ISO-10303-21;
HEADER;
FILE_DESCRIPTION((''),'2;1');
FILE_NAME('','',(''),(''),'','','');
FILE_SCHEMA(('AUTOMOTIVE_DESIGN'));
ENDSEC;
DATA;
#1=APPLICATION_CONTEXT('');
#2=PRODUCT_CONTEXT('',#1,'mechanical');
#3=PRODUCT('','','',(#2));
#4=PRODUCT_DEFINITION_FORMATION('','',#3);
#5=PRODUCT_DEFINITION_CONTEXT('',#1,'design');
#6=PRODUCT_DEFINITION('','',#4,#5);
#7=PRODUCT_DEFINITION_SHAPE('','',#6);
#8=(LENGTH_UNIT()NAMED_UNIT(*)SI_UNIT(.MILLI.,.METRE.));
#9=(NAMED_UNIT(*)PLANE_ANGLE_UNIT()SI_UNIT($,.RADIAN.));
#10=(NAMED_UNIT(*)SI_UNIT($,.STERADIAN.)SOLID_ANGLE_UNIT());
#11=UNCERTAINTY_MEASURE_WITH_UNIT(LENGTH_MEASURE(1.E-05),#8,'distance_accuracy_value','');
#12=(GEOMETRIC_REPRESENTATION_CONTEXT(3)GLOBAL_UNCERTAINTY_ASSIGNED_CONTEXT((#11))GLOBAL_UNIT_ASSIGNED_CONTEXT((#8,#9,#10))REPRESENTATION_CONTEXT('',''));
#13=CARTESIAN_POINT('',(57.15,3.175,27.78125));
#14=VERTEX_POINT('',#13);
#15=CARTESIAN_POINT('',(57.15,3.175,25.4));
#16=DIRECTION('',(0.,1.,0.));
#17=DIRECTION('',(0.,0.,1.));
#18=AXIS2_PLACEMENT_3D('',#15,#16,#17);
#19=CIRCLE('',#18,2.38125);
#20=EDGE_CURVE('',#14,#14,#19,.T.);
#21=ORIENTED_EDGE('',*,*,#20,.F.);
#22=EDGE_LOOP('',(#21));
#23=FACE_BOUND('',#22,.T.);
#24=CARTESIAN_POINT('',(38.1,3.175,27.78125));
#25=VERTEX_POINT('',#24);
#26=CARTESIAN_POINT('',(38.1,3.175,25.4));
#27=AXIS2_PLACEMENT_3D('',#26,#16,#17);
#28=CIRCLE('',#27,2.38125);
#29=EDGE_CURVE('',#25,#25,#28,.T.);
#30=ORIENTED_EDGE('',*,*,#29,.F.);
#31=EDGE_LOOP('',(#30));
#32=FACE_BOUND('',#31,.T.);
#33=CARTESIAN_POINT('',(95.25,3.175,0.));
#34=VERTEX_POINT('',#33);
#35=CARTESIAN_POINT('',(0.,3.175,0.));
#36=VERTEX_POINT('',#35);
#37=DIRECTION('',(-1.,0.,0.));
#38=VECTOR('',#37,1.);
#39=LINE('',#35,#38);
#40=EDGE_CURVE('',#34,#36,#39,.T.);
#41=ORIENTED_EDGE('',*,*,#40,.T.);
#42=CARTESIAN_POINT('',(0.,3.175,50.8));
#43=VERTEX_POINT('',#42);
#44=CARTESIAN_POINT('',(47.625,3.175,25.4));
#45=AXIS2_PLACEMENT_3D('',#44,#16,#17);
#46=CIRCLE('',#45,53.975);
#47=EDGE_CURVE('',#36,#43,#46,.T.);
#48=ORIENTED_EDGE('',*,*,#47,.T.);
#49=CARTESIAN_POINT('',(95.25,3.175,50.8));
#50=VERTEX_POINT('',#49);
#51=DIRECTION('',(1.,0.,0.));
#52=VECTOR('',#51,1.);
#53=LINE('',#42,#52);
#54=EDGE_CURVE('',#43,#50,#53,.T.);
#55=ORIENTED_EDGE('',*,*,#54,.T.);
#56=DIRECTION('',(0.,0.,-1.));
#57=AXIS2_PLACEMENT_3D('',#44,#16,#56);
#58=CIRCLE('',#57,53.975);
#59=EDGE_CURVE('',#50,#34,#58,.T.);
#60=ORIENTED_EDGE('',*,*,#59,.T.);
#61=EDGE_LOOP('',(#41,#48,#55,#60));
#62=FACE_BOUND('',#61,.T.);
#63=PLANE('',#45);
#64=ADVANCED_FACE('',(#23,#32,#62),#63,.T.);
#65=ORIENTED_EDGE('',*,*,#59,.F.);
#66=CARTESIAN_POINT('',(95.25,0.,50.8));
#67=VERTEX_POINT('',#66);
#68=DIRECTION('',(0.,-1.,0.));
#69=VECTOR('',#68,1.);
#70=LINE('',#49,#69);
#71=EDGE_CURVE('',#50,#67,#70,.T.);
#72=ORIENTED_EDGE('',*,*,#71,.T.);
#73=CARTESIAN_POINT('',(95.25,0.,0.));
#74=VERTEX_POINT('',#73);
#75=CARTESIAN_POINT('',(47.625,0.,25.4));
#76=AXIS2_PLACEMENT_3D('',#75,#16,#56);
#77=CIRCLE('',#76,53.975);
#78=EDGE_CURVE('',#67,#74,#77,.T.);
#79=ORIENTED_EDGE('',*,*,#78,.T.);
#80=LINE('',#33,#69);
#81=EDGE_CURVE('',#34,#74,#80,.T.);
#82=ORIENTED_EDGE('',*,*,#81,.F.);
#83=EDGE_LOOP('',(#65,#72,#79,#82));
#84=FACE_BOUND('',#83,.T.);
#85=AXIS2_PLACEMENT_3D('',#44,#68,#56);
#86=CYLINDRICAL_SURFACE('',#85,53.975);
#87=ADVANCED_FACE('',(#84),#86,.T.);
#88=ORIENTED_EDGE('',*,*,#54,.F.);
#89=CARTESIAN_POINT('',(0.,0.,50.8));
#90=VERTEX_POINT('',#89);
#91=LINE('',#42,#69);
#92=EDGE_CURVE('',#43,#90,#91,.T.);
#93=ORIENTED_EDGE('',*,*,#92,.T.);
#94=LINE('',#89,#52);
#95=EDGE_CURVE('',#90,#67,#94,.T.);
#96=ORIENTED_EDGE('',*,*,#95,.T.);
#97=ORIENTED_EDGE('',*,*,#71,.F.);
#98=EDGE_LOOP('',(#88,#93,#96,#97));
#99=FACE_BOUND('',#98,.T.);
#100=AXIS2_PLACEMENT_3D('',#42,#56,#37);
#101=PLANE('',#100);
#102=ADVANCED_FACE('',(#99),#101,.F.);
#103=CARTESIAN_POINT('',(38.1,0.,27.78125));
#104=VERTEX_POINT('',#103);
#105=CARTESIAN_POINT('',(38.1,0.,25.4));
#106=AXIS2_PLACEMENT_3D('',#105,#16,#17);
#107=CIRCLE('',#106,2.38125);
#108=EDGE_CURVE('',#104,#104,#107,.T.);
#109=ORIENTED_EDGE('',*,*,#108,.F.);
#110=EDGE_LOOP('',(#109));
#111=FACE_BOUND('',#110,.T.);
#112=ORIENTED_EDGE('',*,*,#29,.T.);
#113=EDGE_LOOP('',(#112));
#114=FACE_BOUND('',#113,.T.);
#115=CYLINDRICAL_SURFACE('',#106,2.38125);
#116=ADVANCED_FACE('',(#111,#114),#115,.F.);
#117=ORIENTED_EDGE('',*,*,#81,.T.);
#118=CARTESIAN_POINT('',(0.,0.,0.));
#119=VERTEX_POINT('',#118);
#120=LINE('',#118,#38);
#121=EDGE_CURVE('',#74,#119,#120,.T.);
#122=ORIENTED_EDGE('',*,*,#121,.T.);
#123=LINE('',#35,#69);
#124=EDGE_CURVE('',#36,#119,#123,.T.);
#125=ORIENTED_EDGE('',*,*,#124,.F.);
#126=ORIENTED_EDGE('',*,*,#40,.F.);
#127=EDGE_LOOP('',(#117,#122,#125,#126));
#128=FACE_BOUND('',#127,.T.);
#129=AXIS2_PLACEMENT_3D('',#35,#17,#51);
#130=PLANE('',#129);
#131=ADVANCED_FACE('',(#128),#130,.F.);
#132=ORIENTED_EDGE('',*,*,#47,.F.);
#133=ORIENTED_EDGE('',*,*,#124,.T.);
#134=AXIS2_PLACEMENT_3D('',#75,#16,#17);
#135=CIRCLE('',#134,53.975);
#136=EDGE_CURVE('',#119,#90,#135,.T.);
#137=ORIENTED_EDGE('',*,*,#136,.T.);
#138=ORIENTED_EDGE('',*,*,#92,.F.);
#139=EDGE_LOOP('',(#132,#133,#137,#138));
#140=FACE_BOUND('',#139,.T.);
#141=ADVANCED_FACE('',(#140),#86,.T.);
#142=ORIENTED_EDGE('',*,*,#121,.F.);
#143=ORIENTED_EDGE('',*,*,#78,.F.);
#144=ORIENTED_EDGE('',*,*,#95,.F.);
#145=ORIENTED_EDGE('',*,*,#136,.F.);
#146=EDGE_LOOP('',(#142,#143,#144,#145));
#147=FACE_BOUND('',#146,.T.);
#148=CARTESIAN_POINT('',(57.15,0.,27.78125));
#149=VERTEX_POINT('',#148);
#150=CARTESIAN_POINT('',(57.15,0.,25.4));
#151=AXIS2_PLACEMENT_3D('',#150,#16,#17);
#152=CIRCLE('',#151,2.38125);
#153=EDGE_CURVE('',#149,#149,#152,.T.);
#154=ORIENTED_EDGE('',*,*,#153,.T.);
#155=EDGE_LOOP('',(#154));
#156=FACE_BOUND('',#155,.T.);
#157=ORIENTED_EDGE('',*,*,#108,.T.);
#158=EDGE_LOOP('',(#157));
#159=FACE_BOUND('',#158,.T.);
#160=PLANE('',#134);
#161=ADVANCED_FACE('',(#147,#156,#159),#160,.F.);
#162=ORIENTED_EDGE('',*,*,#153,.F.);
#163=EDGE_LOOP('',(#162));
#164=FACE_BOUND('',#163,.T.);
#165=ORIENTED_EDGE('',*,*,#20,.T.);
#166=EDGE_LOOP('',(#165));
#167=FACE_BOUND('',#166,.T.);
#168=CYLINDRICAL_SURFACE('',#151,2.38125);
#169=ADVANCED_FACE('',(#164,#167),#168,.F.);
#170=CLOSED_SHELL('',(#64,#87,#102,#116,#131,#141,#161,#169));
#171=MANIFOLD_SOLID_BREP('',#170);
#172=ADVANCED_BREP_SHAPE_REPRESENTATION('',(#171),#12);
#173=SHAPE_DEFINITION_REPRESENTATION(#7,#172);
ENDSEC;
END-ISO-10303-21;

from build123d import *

# Parameters (mm, degrees)
BOSS_EXTRUDE1_DEPTH = 3.175
SKETCH2_R           = 2.38125
CUT_EXTRUDE1_DEPTH  = 3.175


with BuildPart() as part:
    # Sketch1 → Boss-Extrude1 (new body)
    with BuildSketch(Plane(origin=(0, 0, 0), x_dir=(1, 0, 0), z_dir=(0, 1, 0))):
        with BuildLine():
            Line((0, 0), (95.25, 0))
            ThreePointArc((95.25, 0), (101.6, -25.4), (95.25, -50.8))
            Line((95.25, -50.8), (0, -50.8))
            ThreePointArc((0, -50.8), (-6.35, -25.4), (0, 0))
        make_face()
    extrude(amount=BOSS_EXTRUDE1_DEPTH)

    # Sketch2 → Cut-Extrude1 (cut)
    with BuildSketch(Plane(origin=(0, 3.175, 0), x_dir=(1, 0, 0), z_dir=(0, 1, 0))):
        with Locations(Location((38.1, -25.4, 0), (0, 0, 270))):
            Circle(SKETCH2_R)
        with Locations(Location((57.15, -25.4, 0), (0, 0, 270))):
            Circle(SKETCH2_R)
    extrude(amount=-CUT_EXTRUDE1_DEPTH, mode=Mode.SUBTRACT)


solid = part.part
